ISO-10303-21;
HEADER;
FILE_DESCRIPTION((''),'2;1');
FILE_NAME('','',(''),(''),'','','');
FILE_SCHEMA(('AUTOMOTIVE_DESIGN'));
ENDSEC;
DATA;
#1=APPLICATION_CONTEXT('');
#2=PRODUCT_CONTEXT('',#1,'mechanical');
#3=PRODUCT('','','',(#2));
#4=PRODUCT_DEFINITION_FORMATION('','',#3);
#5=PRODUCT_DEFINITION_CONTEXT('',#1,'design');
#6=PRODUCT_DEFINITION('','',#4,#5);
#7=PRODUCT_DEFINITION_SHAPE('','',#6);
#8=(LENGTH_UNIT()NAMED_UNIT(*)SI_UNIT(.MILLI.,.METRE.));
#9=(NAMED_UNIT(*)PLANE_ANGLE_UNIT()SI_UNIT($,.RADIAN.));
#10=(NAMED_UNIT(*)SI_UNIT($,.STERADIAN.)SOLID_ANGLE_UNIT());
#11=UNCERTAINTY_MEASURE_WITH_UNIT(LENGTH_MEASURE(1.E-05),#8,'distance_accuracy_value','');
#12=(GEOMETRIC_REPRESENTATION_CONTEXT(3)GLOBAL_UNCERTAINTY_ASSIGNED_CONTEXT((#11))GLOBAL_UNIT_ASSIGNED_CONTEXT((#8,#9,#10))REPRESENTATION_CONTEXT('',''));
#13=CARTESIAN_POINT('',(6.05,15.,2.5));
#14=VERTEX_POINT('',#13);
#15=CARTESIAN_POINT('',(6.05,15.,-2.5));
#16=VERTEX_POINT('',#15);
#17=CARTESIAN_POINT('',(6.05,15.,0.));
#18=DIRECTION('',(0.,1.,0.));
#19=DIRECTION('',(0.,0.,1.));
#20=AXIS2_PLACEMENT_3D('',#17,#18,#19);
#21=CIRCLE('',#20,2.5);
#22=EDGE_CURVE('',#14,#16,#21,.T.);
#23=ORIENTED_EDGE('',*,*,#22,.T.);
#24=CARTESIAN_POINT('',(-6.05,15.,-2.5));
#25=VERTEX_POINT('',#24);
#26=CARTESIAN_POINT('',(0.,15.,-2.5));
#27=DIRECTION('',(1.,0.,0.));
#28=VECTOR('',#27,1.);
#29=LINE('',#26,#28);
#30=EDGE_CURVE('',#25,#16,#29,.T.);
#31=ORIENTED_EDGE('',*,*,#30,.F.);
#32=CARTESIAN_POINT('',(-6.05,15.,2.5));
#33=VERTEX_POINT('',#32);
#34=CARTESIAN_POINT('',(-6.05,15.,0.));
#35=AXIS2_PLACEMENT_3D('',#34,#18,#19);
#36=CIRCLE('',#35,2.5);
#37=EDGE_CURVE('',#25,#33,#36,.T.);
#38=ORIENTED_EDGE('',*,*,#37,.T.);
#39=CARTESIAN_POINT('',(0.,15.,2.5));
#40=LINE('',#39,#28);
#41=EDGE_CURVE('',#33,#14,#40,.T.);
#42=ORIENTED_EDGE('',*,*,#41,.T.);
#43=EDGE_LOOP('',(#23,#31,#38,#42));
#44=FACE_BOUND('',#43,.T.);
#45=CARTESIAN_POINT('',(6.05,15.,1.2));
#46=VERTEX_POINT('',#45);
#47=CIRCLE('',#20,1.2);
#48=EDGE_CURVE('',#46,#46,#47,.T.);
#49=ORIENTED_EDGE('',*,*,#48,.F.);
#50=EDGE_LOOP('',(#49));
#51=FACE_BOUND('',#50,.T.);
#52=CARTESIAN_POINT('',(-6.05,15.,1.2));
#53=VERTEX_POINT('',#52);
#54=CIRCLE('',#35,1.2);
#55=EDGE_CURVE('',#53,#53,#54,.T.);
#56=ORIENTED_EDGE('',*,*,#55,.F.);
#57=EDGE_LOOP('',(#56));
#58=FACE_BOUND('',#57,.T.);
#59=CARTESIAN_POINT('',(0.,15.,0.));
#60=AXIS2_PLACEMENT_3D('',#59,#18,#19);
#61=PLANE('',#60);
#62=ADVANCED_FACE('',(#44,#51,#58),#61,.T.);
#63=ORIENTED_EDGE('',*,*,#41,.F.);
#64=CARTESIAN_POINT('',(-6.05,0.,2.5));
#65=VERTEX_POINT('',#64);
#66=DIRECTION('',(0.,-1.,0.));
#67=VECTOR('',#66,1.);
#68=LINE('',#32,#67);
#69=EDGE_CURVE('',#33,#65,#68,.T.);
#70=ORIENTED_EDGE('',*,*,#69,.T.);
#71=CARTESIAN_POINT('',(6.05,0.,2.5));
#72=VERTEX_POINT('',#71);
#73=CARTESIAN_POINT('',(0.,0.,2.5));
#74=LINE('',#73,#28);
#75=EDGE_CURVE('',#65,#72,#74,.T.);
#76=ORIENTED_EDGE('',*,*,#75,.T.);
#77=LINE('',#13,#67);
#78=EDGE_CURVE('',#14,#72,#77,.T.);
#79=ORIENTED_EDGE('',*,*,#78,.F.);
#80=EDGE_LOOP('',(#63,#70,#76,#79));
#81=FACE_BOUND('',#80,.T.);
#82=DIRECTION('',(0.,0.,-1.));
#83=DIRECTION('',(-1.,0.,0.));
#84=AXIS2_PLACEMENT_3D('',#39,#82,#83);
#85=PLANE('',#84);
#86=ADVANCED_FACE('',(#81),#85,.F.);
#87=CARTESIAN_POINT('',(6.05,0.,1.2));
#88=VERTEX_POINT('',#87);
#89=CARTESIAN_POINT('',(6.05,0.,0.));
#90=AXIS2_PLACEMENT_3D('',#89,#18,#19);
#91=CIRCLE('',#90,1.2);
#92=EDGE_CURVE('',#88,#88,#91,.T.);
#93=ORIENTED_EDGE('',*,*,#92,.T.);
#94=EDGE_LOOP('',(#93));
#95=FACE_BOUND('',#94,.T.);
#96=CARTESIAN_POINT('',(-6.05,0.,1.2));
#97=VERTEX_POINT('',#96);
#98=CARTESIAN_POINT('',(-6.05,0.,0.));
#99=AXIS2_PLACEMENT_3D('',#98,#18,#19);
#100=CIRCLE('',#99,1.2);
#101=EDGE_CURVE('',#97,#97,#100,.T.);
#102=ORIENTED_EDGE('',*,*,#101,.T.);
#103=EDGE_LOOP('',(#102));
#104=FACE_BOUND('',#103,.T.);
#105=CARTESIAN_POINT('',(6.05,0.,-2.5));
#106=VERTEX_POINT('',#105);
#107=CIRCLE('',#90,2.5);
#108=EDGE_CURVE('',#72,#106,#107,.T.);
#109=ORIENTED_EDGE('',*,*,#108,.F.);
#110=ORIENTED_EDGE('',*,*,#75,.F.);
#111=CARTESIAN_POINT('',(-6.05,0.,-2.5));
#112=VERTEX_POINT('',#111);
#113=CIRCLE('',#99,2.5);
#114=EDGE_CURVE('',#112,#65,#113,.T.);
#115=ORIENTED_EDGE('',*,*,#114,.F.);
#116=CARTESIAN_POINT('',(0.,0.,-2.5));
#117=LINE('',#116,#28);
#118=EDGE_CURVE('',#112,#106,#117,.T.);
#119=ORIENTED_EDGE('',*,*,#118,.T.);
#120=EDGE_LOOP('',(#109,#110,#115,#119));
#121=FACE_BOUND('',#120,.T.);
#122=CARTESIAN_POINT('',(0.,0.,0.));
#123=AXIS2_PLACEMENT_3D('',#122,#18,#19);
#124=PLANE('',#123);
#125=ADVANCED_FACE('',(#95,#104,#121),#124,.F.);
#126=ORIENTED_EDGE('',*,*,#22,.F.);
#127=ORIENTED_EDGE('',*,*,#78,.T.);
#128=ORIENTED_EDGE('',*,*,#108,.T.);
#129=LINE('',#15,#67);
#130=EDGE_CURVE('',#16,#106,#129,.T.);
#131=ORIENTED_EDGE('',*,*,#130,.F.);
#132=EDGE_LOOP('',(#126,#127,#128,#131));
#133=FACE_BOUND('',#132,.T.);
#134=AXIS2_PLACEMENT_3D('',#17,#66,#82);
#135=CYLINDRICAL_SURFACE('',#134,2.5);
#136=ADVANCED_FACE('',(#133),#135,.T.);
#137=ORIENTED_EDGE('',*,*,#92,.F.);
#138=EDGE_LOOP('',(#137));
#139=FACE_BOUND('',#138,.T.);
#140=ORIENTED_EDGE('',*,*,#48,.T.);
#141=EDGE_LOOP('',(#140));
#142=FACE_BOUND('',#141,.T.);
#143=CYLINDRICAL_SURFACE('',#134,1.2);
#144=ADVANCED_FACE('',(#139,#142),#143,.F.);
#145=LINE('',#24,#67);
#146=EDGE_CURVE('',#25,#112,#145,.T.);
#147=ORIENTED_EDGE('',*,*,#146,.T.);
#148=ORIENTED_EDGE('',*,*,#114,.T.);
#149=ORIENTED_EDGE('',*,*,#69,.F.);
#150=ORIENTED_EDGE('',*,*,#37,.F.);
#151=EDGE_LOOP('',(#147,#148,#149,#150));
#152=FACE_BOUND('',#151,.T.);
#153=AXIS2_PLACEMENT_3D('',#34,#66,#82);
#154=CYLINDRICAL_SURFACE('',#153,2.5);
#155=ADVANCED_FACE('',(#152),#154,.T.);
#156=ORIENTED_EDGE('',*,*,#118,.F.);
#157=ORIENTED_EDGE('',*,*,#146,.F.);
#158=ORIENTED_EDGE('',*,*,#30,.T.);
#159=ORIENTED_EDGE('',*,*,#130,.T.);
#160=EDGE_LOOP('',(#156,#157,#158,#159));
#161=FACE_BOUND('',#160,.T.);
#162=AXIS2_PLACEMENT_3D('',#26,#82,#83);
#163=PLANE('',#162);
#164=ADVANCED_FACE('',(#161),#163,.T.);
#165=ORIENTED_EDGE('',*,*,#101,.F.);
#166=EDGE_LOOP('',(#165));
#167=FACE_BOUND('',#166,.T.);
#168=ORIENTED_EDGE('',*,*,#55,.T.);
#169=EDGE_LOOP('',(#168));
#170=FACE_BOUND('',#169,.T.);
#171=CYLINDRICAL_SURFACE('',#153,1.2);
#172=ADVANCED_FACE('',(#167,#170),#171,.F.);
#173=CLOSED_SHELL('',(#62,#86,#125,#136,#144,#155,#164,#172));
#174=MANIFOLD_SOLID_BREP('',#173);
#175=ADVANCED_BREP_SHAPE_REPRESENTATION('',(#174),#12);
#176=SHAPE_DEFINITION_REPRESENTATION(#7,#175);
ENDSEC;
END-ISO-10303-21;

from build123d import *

# Parameters (mm, degrees)
SKETCH_1_R      = 1.2
EXTRUDE_1_DEPTH = 15
SKETCH_1_3_R    = 1.2
EXTRUDE_2_DEPTH = 15


with BuildPart() as part:
    # 草图1 → 凸台-拉伸1 (new body)
    with BuildSketch(Plane(origin=(0, 0, 0), x_dir=(1, 0, 0), z_dir=(0, 1, 0))):
        with BuildLine():
            ThreePointArc((-6.05, 2.5), (-8.55, 0), (-6.05, -2.5))
            Line((-6.05, -2.5), (6.05, -2.5))
            ThreePointArc((6.05, -2.5), (8.55, 0), (6.05, 2.5))
            Line((6.05, 2.5), (-6.05, 2.5))
        make_face()
        with Locations((-6.05, 0)):
            Circle(SKETCH_1_R, mode=Mode.SUBTRACT)
        with Locations((6.05, 0)):
            Circle(SKETCH_1_R, mode=Mode.SUBTRACT)
    extrude(amount=EXTRUDE_1_DEPTH)

    # 草图1<3> → 凸台-拉伸2 (add)
    with BuildSketch(Plane(origin=(0, 0, 0), x_dir=(1, 0, 0), z_dir=(0, 1, 0))):
        with BuildLine():
            ThreePointArc((-3.55, 0), (-4.282233047, 1.767766953), (-6.05, 2.5))
            ThreePointArc((-6.05, 2.5), (-8.55, 0), (-6.05, -2.5))
            ThreePointArc((-6.05, -2.5), (-4.282233047, -1.767766953), (-3.55, 0))
        make_face()
        with Locations((-6.05, 0)):
            Circle(SKETCH_1_3_R, mode=Mode.SUBTRACT)
    extrude(amount=EXTRUDE_2_DEPTH)


solid = part.part
